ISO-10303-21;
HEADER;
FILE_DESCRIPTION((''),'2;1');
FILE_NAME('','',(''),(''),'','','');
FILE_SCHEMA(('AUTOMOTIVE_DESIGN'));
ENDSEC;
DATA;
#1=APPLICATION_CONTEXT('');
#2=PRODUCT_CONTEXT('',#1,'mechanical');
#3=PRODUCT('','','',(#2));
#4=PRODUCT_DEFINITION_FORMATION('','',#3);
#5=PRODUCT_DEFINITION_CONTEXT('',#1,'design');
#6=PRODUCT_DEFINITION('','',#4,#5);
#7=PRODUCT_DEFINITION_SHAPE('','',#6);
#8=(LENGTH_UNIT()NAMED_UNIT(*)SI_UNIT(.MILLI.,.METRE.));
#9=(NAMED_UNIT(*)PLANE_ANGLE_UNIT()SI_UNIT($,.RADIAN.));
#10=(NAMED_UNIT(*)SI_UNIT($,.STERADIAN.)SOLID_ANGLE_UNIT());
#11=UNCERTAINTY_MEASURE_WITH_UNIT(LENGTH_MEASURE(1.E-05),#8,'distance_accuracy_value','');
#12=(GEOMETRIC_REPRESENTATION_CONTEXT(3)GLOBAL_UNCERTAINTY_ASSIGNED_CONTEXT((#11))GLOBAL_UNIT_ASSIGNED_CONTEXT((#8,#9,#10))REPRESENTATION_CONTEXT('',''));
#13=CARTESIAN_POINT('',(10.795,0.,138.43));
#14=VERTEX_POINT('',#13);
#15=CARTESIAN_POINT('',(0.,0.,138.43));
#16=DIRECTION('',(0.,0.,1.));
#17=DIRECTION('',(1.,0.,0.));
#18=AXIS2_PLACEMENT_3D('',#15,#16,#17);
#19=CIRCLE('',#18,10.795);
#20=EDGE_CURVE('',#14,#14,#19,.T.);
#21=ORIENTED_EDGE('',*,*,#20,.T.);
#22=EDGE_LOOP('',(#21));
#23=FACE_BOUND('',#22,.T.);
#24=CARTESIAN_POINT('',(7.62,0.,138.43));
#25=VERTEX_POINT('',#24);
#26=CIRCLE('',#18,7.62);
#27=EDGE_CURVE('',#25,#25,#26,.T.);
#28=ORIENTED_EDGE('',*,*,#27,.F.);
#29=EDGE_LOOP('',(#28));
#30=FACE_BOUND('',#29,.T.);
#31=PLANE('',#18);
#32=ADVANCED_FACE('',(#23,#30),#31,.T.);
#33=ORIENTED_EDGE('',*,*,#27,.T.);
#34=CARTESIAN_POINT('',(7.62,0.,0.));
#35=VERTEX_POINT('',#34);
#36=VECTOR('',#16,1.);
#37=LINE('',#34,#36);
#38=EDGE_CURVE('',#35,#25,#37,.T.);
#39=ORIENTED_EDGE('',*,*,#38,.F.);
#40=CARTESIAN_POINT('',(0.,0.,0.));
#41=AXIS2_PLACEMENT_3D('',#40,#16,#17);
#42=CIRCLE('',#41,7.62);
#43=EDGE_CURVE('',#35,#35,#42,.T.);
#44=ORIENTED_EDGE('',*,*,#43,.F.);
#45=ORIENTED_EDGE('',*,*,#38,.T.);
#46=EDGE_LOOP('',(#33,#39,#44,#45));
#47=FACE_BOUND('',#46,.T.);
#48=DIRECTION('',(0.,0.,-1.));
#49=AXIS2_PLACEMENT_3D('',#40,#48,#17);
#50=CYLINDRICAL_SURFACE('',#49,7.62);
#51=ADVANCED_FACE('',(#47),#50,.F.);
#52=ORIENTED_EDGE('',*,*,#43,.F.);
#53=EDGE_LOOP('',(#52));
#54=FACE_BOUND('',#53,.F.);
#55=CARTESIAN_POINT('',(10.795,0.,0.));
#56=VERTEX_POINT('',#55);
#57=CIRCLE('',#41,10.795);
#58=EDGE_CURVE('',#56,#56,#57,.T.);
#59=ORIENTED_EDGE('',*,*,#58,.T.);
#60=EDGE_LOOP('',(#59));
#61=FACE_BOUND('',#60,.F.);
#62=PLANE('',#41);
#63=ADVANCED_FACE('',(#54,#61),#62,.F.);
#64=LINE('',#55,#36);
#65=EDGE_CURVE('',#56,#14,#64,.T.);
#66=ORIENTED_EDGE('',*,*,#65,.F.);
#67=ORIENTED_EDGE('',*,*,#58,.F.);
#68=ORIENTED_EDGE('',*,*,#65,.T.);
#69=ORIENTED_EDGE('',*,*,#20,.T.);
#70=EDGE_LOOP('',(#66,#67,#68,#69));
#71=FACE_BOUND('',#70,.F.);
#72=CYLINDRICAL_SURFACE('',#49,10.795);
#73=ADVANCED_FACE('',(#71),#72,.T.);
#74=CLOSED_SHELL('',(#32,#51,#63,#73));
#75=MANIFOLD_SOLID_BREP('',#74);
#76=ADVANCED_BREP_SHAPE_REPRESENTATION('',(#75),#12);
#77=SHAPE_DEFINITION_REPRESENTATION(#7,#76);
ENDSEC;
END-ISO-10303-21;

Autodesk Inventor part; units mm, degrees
ref_plane "YZ Plane" through (0, 0, 0) normal (1, 0, 0) x (0, 1, 0)
ref_plane "XZ Plane" through (0, 0, 0) normal (0, 1, 0) x (-1, 0, 0)
ref_plane "XY Plane" through (0, 0, 0) normal (0, 0, 1) x (1, 0, 0)
sketch "Sketch1" plane through (0, 0, 0) normal (0, 0, 1) x (1, 0, 0)
  circle A0 centre (0, 0) radius 10.795
  circle A1 centre (0, 0) radius 7.62
  dimension "d0" = 21.59
  dimension "d2" = 15.24
extrude "Extrusion1" add sketch "Sketch1" along normal blind 138.43
properties part number "5in Pipe" material "PVC-Piping"
